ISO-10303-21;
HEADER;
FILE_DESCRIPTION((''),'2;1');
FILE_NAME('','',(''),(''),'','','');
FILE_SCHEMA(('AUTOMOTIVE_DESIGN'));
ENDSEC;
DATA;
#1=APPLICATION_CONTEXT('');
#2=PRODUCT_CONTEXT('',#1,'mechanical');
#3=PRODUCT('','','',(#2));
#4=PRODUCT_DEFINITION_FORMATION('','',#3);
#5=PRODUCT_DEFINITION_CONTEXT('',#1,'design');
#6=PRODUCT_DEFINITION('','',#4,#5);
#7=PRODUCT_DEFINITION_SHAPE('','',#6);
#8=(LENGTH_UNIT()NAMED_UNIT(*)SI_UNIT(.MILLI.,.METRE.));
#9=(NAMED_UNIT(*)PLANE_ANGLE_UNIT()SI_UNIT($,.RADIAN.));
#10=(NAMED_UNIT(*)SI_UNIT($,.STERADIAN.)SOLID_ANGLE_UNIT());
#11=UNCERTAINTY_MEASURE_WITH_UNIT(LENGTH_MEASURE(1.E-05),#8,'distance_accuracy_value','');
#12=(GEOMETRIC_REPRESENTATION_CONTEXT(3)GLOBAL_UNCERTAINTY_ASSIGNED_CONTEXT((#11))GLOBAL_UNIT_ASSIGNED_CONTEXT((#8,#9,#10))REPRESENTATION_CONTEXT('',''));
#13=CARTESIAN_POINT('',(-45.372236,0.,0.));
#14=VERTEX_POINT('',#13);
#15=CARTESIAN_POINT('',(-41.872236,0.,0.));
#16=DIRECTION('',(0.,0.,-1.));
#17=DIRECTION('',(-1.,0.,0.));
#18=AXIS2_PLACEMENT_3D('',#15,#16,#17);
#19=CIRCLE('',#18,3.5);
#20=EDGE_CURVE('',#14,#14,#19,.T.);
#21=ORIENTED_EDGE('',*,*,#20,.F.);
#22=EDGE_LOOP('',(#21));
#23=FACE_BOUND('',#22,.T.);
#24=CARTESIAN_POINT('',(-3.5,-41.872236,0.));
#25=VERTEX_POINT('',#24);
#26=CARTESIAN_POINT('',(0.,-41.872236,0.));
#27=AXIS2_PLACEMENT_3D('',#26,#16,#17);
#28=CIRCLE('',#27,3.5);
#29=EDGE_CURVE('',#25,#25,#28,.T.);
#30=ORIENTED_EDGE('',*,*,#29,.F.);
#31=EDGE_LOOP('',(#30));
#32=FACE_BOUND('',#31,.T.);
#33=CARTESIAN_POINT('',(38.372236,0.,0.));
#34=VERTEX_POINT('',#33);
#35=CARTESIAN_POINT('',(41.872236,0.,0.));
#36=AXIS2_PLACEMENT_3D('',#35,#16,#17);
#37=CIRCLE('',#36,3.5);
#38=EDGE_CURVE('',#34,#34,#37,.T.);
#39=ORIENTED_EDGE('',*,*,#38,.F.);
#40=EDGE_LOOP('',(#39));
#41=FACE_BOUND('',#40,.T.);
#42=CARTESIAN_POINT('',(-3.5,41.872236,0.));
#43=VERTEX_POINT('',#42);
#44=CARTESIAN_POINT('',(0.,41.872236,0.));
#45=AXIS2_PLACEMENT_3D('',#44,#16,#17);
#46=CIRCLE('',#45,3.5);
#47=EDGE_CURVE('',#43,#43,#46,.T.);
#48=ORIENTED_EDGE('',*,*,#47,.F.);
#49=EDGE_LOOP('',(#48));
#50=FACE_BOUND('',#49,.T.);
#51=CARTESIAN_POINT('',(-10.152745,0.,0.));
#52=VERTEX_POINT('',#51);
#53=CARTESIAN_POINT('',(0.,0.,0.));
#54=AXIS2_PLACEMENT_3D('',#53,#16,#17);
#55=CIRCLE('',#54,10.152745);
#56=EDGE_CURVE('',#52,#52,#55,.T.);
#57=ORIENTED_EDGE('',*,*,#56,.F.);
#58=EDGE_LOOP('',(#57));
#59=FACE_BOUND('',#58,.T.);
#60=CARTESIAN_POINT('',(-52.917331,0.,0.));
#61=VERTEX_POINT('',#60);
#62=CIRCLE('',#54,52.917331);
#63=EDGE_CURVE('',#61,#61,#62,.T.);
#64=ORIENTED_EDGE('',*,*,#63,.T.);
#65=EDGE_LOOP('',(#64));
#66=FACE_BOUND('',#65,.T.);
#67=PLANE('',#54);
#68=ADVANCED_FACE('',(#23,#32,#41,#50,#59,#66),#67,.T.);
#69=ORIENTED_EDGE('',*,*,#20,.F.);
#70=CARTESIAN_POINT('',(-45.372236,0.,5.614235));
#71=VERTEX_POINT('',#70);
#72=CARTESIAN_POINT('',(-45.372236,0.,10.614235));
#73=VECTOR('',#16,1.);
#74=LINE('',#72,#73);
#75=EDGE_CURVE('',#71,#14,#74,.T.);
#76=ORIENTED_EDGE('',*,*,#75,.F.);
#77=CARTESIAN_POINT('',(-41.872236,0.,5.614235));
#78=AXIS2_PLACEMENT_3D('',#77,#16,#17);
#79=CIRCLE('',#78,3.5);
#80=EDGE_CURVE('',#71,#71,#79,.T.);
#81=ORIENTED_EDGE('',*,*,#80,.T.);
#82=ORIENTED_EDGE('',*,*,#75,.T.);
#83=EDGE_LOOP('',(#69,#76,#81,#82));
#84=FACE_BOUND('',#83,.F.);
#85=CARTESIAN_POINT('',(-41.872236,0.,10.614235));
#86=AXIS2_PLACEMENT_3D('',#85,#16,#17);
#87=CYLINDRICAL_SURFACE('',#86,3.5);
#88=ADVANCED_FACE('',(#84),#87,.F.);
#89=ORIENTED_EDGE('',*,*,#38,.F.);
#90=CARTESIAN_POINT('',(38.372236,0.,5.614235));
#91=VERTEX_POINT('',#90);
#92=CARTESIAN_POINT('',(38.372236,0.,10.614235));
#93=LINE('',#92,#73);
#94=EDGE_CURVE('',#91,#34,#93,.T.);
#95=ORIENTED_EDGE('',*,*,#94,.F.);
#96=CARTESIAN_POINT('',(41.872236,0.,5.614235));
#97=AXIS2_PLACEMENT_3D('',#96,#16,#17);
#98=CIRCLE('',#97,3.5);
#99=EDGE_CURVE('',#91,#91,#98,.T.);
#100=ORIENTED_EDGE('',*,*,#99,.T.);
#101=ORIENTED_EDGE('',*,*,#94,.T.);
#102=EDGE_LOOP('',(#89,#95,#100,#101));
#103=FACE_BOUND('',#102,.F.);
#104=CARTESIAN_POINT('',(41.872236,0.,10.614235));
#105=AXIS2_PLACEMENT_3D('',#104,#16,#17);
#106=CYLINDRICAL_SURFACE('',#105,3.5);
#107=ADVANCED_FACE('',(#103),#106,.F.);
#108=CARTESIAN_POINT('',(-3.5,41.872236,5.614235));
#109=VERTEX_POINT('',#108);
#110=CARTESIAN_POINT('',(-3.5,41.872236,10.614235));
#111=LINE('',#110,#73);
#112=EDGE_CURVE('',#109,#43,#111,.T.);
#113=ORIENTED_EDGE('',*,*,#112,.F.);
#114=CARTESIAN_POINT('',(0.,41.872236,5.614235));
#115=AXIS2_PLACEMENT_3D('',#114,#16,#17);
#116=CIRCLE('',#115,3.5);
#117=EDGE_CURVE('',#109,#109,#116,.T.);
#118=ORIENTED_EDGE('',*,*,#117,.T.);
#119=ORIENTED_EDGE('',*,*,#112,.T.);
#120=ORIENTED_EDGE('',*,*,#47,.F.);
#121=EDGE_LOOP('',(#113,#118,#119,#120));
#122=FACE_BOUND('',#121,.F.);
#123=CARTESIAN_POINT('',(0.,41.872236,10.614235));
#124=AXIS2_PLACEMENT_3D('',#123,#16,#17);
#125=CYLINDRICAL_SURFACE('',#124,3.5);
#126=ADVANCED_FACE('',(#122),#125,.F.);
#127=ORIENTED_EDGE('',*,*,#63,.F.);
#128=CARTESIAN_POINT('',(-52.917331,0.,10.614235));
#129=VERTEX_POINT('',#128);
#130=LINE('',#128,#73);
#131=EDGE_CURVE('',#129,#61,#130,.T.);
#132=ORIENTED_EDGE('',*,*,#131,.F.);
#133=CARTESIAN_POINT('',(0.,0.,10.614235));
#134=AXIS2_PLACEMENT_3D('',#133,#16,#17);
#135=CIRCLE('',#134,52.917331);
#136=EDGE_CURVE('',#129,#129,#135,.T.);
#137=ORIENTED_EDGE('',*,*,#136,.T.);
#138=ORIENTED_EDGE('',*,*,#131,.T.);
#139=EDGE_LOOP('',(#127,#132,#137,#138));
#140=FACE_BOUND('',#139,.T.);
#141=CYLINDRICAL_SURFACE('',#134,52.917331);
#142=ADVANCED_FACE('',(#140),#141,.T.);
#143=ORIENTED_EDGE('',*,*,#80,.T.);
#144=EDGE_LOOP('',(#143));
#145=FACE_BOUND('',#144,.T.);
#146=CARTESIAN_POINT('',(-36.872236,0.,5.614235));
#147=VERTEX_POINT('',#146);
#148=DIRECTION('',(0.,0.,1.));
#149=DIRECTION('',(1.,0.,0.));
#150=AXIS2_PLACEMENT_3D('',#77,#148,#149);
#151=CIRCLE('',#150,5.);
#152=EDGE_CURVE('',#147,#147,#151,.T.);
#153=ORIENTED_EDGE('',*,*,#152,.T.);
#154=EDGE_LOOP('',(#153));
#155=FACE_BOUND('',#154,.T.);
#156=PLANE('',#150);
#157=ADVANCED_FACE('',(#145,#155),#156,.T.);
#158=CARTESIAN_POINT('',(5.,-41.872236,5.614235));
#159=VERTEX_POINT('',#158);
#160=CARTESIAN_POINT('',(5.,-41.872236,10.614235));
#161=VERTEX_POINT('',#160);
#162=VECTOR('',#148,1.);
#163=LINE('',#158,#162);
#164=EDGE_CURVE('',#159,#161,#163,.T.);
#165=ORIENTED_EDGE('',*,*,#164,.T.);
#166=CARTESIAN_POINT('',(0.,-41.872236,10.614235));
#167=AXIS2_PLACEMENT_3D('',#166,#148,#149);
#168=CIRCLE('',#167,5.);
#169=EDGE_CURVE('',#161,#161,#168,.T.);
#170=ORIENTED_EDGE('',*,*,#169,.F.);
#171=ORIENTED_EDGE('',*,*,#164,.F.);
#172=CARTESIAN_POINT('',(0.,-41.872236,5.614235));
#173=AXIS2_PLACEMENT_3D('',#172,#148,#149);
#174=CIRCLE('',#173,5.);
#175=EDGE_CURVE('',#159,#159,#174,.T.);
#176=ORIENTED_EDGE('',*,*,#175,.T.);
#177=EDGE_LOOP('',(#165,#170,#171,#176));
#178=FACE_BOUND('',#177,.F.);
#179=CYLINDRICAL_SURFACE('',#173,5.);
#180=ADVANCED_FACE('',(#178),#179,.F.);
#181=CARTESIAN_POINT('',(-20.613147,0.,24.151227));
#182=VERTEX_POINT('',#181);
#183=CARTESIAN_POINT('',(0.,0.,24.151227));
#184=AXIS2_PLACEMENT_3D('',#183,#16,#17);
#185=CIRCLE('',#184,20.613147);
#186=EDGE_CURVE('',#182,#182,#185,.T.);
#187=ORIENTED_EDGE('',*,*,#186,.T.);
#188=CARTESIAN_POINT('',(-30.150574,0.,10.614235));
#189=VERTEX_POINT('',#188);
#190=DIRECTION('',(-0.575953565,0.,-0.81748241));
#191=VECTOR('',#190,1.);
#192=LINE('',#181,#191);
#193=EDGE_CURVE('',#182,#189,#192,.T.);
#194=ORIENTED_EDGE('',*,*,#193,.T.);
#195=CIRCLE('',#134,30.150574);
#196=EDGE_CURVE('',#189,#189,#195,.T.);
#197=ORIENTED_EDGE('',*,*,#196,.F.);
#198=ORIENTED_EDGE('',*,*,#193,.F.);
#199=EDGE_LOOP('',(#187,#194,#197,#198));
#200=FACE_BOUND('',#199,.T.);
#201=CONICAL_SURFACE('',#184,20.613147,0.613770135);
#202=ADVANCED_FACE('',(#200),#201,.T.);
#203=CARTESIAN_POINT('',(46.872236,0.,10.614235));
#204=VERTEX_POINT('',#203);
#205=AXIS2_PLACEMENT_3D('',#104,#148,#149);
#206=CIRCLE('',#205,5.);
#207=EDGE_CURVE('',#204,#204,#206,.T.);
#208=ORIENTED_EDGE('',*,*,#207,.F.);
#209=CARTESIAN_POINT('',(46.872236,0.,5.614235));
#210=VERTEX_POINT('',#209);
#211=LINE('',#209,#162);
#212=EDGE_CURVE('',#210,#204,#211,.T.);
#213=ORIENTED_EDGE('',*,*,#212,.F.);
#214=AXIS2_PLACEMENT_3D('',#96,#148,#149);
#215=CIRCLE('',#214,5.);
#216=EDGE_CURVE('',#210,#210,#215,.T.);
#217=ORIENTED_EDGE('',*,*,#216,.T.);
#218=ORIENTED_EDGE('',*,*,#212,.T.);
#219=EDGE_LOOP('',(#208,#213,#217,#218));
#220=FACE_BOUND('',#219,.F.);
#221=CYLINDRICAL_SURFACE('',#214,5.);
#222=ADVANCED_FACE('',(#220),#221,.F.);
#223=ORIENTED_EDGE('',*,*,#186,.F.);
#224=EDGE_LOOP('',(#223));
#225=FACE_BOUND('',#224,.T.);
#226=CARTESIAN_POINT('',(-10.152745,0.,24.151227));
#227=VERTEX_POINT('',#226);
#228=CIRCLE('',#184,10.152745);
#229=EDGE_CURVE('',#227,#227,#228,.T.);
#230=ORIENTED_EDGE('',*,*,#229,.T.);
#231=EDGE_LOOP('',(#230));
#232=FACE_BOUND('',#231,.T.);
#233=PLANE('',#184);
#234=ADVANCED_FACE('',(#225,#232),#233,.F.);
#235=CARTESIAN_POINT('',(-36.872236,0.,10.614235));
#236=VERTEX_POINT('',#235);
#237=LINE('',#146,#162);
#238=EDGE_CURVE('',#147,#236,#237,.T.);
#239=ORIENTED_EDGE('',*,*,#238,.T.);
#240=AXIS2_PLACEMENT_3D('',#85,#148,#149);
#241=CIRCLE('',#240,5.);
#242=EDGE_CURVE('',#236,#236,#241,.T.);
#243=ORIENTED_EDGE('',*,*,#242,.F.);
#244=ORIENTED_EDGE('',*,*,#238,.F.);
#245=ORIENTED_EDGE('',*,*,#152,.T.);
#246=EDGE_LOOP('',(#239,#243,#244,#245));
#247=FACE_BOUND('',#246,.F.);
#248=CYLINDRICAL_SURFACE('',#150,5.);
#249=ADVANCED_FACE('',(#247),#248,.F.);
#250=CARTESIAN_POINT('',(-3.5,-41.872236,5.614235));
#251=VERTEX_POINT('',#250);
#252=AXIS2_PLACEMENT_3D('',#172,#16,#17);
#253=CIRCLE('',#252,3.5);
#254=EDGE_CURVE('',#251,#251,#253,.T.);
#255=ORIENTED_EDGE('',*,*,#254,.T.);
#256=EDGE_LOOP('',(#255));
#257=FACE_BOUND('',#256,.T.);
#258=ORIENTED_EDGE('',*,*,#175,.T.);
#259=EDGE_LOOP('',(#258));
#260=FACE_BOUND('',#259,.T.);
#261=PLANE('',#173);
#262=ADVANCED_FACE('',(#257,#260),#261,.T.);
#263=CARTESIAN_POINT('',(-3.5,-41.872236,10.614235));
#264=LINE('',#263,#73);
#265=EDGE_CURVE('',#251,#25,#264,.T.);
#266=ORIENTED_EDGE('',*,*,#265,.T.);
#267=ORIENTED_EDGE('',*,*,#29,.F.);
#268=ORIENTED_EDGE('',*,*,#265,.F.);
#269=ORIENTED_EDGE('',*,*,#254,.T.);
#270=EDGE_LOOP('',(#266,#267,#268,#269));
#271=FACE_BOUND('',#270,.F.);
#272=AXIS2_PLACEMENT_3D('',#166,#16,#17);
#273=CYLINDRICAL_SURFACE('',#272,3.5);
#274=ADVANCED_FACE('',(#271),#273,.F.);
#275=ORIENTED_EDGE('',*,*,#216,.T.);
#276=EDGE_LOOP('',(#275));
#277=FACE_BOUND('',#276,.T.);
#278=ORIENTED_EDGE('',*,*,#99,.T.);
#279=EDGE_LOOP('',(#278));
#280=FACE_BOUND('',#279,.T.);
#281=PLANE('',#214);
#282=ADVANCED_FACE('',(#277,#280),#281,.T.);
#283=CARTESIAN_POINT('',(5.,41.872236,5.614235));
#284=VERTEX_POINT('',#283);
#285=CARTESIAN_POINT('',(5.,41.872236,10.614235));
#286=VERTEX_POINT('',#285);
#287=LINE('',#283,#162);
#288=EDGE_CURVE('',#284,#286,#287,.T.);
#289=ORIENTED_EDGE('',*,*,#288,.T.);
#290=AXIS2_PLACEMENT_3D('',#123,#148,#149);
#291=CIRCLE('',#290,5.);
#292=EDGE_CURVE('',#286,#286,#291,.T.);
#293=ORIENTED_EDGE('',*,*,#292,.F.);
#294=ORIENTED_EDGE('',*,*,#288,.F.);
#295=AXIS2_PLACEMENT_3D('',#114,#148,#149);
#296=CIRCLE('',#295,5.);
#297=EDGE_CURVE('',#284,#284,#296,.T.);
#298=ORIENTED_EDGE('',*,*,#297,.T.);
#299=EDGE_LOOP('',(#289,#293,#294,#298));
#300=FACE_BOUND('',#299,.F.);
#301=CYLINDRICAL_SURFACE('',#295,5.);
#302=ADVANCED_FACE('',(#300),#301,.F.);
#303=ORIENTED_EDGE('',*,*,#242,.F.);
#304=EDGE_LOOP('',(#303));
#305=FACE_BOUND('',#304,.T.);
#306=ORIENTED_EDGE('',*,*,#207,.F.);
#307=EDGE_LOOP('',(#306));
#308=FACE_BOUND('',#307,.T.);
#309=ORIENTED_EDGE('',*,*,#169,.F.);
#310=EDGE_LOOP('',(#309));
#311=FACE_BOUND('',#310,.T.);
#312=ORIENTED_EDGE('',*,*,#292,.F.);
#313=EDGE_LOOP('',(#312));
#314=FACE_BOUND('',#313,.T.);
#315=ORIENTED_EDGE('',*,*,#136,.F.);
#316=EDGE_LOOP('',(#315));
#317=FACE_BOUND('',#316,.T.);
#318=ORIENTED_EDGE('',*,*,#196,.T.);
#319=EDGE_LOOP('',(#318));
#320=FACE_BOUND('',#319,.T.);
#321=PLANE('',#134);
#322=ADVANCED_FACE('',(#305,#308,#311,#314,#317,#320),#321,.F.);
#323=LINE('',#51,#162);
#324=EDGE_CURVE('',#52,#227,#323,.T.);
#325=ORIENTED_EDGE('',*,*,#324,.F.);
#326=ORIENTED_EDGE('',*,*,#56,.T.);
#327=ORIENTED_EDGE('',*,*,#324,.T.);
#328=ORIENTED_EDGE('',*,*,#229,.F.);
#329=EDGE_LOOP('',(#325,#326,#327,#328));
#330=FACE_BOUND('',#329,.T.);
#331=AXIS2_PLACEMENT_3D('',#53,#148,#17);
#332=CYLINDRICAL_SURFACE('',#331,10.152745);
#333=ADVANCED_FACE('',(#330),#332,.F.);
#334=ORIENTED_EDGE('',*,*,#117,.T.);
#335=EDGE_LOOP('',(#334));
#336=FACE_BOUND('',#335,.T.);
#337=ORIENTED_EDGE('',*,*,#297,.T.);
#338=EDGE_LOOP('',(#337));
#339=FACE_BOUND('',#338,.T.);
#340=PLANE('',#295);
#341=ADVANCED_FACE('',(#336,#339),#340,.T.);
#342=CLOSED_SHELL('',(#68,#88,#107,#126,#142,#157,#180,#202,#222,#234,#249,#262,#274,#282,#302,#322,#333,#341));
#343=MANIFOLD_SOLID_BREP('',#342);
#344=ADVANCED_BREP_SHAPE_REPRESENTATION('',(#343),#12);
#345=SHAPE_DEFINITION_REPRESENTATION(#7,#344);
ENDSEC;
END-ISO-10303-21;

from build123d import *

# Parameters (mm, degrees)
F3_D           = 7
F3_CBORE_D     = 10
F3_CBORE_DEPTH = 5


with BuildPart() as f1:
    # F0 (on Front) → F1 (revolve)
    with BuildSketch(Plane.XZ):
        Polygon((-52.917331, 0), (-10.152745, 0), (-10.152745, 24.151227), (-20.613147, 24.151227), (-30.150574, 10.614235), (-52.917331, 10.614235), align=None)
    revolve(axis=Axis((0, 0, 4.922545), (0, 0, -1)))

    # F3 (through all)
    with Locations(Plane.XY.offset(10.614235)):
        with Locations((-41.872236, 0), (0, 41.872236), (41.872236, 0), (0, -41.872236)):
            CounterBoreHole(F3_D / 2, F3_CBORE_D / 2, F3_CBORE_DEPTH)


solid = f1.part
